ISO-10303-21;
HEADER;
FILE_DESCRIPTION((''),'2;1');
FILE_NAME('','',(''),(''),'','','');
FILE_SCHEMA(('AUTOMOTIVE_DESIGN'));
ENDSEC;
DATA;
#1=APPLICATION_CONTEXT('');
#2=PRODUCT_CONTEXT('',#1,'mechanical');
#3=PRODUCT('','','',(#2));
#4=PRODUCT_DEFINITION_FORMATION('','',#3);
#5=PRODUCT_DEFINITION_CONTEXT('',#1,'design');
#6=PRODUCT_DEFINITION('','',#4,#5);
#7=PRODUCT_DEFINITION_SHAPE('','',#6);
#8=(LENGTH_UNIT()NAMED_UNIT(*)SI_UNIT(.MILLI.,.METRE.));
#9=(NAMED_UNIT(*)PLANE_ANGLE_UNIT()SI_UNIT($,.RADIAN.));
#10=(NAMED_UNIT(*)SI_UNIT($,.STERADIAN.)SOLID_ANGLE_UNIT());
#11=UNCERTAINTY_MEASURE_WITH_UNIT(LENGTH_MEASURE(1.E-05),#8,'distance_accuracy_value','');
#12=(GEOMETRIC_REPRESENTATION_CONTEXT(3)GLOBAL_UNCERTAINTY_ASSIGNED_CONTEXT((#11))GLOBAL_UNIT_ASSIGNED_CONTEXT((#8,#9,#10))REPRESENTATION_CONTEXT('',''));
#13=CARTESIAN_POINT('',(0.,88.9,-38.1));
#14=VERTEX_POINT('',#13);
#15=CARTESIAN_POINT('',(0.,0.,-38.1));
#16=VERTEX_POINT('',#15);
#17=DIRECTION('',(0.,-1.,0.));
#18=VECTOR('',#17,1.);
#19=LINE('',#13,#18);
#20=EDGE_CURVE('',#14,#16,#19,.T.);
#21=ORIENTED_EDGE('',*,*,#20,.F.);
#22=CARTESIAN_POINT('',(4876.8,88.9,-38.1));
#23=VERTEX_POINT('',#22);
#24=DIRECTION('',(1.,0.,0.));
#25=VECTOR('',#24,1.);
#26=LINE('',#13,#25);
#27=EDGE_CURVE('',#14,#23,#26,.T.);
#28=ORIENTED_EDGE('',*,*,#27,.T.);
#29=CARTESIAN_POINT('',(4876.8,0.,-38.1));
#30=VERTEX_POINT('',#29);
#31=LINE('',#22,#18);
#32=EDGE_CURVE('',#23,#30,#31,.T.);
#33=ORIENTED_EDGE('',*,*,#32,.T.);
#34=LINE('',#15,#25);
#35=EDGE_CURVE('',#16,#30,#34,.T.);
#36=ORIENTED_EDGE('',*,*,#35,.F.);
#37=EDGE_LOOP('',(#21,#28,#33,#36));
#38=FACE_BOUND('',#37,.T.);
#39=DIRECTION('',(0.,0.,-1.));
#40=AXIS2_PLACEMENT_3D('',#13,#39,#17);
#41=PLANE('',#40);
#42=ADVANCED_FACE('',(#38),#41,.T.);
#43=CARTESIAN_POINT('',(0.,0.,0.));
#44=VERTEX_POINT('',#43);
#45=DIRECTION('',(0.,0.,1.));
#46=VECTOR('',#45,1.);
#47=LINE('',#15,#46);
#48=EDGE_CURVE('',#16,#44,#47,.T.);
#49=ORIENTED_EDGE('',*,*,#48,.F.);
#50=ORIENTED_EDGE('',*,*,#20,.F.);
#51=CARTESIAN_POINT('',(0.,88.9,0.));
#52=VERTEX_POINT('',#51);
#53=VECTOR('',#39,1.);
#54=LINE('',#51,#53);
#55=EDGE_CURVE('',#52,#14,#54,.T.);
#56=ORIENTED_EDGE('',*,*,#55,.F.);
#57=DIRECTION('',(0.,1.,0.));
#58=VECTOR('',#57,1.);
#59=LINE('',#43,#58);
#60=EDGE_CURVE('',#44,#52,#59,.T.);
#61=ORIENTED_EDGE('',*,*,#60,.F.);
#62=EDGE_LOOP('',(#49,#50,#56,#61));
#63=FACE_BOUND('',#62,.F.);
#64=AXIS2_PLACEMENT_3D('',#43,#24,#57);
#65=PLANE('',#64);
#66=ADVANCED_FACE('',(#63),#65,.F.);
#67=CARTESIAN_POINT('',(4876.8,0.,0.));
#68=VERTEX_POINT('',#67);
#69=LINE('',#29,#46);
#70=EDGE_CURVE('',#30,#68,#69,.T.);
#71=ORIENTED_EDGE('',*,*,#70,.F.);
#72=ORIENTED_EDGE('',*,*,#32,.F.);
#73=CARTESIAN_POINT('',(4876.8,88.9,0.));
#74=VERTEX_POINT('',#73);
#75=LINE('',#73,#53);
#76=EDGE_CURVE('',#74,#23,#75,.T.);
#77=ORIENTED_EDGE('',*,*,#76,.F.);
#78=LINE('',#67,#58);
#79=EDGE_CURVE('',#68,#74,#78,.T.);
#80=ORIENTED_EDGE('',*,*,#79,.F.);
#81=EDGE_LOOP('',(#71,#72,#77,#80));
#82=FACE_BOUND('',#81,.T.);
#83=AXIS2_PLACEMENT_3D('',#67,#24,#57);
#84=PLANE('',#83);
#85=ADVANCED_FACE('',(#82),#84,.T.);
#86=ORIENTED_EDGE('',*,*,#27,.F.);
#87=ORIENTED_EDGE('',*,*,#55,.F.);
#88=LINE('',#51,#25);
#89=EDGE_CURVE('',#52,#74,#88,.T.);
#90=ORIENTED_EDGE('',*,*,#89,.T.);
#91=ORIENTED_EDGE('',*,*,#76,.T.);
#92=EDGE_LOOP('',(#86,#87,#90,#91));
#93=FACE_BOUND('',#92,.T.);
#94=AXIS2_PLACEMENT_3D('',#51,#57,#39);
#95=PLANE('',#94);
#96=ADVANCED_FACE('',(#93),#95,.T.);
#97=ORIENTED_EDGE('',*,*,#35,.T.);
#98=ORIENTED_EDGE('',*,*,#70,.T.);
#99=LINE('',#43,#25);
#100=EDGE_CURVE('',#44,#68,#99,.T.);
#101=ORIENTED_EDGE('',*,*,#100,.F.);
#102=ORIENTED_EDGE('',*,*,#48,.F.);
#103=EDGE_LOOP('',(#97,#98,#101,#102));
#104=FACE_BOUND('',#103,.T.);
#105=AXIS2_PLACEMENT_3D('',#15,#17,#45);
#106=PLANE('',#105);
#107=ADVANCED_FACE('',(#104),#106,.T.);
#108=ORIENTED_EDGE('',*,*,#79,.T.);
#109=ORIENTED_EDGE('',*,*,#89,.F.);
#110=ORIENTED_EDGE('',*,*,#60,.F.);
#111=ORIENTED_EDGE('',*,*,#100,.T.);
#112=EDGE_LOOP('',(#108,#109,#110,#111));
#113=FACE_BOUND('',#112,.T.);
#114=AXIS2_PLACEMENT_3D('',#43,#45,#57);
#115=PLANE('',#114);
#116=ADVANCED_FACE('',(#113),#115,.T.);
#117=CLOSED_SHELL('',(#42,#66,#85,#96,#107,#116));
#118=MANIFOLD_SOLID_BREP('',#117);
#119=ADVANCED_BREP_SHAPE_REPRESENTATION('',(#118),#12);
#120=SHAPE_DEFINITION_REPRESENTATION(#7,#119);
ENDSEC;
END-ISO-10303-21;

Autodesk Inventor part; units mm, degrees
ref_plane "YZ Plane" through (0, 0, 0) normal (1, 0, 0) x (0, 1, 0)
ref_plane "XZ Plane" through (0, 0, 0) normal (0, 1, 0) x (-1, 0, 0)
ref_plane "XY Plane" through (0, 0, 0) normal (0, 0, 1) x (1, 0, 0)
sketch "Sketch1" plane through (0, 0, 0) normal (1, 0, 0) x (0, 1, 0)
  line L0 (0, 0) -> (88.9, 0)
  line L1 (88.9, 0) -> (88.9, -38.1)
  line L2 (88.9, -38.1) -> (0, -38.1)
  line L3 (0, -38.1) -> (0, 0)
  dimension "d0" = 38.1
  dimension "d1" = 88.9
extrude "Extrusion1" add sketch "Sketch1" along normal blind 4876.8
properties part number "2by4by20" material "Wood (Cherry)"
